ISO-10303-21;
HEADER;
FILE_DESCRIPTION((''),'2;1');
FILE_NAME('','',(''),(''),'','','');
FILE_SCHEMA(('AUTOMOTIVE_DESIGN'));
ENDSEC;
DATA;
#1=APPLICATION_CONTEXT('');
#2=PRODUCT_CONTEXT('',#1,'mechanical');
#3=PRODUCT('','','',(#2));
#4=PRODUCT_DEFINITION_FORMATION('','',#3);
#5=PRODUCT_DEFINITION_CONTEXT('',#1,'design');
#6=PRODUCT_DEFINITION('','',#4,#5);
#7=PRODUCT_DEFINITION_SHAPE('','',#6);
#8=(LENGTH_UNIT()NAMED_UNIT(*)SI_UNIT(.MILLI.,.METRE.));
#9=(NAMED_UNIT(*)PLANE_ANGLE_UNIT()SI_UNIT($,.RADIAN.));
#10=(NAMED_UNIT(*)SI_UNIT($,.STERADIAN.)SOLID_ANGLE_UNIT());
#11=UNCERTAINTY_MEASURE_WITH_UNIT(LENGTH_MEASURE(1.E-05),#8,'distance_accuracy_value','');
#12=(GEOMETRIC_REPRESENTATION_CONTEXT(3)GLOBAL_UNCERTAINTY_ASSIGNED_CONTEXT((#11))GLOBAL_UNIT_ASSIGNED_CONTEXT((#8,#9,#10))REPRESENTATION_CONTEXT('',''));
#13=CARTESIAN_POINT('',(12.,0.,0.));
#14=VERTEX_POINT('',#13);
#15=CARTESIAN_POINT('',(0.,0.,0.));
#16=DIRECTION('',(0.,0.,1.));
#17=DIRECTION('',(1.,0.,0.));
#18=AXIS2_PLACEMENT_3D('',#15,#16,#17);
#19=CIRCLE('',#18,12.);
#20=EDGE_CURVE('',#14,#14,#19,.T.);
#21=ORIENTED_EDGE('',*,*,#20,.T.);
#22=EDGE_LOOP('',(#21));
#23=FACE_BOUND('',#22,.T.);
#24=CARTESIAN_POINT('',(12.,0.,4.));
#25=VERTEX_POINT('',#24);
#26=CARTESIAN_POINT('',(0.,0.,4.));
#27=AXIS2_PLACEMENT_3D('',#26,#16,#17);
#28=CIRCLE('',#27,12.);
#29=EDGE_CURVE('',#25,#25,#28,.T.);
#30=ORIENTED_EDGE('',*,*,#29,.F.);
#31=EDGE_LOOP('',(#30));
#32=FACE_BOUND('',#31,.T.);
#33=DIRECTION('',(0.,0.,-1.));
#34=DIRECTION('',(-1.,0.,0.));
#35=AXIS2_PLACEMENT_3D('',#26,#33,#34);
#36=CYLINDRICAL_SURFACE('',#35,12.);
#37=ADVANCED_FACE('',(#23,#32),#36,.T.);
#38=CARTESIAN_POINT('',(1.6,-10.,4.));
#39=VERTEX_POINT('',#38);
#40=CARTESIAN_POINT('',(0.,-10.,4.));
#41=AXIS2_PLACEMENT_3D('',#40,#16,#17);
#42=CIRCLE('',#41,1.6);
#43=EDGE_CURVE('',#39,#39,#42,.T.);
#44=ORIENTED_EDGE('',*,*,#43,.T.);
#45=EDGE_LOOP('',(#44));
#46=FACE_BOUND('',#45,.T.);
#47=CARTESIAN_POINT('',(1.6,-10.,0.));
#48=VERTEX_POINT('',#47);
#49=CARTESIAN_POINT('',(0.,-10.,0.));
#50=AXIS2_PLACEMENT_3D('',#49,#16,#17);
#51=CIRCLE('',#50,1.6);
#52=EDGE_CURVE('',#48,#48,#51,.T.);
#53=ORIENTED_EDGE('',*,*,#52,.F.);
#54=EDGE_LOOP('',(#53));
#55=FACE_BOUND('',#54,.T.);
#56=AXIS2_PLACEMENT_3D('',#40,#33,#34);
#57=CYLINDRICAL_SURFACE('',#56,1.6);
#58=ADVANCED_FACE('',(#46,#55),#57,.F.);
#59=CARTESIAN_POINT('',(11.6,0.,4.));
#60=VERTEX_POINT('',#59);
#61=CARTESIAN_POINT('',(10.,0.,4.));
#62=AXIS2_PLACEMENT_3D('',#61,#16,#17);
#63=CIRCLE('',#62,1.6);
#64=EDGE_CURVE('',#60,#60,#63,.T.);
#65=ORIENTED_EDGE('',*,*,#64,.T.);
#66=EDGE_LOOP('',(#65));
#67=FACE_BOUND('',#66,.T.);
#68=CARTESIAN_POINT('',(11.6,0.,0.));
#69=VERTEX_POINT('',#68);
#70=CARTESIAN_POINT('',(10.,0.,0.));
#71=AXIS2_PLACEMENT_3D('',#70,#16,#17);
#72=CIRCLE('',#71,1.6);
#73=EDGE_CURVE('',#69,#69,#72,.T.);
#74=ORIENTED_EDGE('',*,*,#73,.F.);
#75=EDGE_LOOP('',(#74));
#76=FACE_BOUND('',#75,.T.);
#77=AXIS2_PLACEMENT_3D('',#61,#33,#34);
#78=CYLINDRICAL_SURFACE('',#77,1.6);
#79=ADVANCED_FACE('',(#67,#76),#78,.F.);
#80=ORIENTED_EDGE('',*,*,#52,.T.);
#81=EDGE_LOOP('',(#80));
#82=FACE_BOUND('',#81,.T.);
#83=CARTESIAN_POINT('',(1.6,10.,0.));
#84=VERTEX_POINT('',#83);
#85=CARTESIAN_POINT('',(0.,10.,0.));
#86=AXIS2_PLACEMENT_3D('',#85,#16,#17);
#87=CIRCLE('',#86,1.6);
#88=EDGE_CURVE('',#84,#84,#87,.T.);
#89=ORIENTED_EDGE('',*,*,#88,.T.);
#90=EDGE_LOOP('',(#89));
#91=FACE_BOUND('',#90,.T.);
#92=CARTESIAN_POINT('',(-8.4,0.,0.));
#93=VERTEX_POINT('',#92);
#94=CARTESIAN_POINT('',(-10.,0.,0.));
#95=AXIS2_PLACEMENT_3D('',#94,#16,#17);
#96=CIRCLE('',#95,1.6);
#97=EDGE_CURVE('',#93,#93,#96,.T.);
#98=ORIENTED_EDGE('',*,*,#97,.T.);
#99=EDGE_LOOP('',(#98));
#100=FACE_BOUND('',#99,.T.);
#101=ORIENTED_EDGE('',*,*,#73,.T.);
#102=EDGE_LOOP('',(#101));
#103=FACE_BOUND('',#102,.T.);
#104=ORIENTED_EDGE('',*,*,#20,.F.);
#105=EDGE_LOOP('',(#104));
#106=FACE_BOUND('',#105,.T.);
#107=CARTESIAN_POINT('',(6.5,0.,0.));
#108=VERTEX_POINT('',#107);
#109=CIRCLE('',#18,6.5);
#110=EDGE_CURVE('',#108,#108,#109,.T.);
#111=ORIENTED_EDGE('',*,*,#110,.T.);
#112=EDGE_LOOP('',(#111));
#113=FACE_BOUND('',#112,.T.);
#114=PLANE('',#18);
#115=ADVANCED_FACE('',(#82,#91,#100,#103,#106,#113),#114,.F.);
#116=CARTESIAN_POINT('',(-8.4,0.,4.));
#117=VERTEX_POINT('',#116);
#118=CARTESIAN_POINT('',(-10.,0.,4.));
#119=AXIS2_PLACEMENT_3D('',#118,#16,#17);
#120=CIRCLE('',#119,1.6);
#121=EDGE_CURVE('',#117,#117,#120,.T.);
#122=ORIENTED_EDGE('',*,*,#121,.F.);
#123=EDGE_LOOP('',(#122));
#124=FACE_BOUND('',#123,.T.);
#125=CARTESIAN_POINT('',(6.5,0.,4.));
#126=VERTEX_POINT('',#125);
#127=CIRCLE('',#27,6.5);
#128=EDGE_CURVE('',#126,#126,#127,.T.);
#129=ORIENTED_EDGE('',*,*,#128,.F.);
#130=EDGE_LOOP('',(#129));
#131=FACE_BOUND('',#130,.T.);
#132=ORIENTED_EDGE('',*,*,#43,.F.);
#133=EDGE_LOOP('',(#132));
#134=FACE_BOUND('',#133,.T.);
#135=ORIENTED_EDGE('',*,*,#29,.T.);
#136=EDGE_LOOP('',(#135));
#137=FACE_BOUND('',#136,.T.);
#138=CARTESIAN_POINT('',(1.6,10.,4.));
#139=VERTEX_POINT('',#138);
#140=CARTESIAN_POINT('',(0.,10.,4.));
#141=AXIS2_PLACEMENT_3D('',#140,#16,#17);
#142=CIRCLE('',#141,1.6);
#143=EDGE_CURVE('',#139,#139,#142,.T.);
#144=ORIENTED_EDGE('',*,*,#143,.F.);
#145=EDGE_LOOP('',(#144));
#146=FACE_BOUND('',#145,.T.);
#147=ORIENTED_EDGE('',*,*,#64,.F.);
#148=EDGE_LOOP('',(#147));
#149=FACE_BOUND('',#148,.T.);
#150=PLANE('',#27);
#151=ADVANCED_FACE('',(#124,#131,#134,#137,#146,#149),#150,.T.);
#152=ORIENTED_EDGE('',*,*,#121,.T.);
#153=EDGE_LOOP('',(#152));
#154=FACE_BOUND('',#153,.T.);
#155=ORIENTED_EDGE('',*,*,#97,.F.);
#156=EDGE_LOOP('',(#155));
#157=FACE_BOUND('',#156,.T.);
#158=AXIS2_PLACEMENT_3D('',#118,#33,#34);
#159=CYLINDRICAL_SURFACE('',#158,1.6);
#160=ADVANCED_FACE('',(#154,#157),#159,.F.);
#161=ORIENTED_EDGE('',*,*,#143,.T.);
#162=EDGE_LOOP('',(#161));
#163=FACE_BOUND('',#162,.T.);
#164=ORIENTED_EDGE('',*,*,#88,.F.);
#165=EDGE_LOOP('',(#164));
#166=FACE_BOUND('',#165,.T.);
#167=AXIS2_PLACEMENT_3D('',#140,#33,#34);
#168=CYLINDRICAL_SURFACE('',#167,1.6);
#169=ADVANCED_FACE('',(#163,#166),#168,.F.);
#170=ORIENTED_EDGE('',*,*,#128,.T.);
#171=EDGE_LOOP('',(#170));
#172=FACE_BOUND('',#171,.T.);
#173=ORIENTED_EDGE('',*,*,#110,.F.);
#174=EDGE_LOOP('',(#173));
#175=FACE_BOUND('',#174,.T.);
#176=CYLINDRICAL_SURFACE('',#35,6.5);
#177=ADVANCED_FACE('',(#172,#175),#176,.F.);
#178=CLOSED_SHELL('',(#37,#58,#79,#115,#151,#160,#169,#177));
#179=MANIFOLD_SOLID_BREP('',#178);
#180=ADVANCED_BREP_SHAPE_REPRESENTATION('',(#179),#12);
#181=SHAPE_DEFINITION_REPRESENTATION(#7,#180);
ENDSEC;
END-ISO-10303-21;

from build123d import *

# Parameters (mm, degrees)
SKETCH_1_R      = 12
SKETCH_1_R_2    = 6.5
SKETCH_1_R_3    = 1.6
EXTRUDE_1_DEPTH = 4


with BuildPart() as part:
    # 草图1 → 凸台-拉伸1 (new body)
    with BuildSketch(Plane.XY):
        Circle(SKETCH_1_R)
        Circle(SKETCH_1_R_2, mode=Mode.SUBTRACT)
        with Locations((0, 10)):
            Circle(SKETCH_1_R_3, mode=Mode.SUBTRACT)
        with Locations((10, 0)):
            Circle(SKETCH_1_R_3, mode=Mode.SUBTRACT)
        with Locations((0, -10)):
            Circle(SKETCH_1_R_3, mode=Mode.SUBTRACT)
        with Locations((-10, 0)):
            Circle(SKETCH_1_R_3, mode=Mode.SUBTRACT)
    extrude(amount=EXTRUDE_1_DEPTH)


solid = part.part
